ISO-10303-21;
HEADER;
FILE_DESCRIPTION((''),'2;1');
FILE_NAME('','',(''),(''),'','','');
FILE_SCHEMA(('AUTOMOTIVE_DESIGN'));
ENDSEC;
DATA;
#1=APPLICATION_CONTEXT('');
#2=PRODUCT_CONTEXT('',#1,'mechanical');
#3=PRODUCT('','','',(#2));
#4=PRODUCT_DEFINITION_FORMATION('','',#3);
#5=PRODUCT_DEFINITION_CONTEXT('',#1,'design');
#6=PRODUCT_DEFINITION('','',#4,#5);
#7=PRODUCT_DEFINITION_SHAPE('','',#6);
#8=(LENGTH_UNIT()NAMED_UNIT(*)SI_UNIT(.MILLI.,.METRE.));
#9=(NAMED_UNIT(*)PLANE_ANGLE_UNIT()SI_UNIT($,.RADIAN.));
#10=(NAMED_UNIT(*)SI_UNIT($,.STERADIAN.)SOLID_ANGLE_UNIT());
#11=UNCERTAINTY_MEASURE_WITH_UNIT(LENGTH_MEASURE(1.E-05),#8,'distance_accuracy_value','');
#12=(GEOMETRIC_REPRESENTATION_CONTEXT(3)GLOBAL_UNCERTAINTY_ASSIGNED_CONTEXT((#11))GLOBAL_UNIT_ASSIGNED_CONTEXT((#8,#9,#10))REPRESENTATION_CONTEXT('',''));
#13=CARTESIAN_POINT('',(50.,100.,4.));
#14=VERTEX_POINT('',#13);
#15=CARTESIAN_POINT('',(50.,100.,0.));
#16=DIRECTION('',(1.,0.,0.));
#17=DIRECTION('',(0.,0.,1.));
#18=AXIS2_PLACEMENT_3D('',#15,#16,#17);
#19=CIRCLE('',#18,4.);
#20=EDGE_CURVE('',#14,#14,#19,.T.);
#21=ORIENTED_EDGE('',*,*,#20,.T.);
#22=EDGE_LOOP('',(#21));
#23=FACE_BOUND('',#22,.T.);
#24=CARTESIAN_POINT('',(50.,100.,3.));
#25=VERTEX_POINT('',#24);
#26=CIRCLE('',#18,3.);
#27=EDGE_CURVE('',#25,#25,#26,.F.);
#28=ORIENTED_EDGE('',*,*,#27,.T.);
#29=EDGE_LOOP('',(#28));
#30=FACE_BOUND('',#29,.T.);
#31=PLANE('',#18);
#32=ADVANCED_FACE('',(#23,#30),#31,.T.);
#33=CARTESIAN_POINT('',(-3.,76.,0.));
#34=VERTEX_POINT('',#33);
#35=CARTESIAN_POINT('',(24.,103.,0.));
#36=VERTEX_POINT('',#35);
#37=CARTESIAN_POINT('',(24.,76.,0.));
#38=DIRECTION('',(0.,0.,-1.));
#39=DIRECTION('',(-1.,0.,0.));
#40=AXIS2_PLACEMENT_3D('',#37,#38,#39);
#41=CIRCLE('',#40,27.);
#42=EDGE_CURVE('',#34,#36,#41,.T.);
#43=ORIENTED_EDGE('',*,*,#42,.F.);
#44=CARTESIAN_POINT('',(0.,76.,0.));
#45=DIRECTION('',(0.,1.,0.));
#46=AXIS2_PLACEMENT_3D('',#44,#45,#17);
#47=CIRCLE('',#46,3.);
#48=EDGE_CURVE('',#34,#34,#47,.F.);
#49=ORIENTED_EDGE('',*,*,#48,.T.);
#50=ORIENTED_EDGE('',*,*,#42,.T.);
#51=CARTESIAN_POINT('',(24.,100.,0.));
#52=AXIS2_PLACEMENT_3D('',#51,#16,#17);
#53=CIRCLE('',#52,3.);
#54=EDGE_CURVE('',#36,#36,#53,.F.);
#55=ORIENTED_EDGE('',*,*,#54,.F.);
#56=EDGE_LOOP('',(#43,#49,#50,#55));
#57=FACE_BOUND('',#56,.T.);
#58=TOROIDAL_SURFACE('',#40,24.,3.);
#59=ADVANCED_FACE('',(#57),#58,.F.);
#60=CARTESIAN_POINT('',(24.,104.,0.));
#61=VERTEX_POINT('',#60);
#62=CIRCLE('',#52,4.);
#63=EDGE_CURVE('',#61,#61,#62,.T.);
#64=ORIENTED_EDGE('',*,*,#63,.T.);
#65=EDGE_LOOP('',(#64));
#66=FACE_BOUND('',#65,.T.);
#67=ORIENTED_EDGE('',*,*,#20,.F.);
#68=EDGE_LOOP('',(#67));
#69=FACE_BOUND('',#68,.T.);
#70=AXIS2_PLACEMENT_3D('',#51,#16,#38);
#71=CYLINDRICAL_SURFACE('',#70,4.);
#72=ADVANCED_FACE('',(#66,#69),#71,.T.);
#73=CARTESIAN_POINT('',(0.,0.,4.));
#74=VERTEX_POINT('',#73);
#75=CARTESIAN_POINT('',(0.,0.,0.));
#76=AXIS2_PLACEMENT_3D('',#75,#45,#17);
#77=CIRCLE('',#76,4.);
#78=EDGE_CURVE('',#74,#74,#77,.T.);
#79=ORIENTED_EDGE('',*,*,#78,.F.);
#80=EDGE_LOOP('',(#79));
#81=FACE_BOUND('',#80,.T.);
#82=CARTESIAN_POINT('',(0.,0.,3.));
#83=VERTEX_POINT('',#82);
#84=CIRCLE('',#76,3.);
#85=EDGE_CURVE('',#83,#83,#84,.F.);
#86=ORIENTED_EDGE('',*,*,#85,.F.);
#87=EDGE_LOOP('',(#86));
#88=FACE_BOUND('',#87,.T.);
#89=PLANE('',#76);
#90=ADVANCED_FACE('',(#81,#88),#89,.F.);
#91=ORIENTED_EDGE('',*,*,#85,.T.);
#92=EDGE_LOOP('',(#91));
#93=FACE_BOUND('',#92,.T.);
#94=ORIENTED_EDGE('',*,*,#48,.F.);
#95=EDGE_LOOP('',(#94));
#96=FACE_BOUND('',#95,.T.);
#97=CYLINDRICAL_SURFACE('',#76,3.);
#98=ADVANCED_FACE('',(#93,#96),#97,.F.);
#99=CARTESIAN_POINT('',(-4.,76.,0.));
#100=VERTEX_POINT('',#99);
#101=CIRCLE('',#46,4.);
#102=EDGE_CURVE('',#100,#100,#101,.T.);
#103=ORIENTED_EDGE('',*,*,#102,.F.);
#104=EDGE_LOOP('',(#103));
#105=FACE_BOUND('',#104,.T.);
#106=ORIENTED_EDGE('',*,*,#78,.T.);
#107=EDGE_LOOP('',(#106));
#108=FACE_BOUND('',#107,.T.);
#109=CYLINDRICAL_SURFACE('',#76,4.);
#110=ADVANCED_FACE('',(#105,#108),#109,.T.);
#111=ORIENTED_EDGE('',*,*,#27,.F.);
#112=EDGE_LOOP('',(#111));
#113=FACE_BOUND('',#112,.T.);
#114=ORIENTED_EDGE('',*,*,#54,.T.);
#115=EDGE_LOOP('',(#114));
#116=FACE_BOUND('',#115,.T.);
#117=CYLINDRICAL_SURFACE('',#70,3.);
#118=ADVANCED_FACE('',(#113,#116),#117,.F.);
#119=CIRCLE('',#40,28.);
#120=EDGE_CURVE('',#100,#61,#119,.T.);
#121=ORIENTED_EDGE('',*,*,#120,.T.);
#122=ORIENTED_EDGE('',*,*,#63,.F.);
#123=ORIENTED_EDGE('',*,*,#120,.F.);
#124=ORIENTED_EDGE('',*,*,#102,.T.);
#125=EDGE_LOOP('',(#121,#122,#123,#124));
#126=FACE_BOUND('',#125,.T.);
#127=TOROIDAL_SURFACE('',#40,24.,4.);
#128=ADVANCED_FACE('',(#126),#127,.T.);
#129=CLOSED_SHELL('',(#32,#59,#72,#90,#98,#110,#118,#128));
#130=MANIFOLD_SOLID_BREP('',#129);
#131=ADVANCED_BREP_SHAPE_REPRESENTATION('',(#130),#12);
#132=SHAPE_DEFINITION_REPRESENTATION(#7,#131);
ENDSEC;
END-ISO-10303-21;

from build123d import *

# Parameters (mm, degrees)
SKETCH2_R   = 4
SKETCH2_R_2 = 3


with BuildPart() as part:
    # Sweep1: sweep along a path in Sketch1
    with BuildLine(Plane.XY) as sweep1_path:
        Line((0, 0), (0, 76))
        ThreePointArc((0, 76), (7.029437252, 92.970562748), (24, 100))
        Line((24, 100), (50, 100))
    # Sketch2 → Sweep1 (sweep)
    with BuildSketch(Plane(origin=(0, 0, 0), x_dir=(1, 0, 0), z_dir=(0, 1, 0))):
        Circle(SKETCH2_R)
        Circle(SKETCH2_R_2, mode=Mode.SUBTRACT)
    sweep(path=sweep1_path.line)


solid = part.part
